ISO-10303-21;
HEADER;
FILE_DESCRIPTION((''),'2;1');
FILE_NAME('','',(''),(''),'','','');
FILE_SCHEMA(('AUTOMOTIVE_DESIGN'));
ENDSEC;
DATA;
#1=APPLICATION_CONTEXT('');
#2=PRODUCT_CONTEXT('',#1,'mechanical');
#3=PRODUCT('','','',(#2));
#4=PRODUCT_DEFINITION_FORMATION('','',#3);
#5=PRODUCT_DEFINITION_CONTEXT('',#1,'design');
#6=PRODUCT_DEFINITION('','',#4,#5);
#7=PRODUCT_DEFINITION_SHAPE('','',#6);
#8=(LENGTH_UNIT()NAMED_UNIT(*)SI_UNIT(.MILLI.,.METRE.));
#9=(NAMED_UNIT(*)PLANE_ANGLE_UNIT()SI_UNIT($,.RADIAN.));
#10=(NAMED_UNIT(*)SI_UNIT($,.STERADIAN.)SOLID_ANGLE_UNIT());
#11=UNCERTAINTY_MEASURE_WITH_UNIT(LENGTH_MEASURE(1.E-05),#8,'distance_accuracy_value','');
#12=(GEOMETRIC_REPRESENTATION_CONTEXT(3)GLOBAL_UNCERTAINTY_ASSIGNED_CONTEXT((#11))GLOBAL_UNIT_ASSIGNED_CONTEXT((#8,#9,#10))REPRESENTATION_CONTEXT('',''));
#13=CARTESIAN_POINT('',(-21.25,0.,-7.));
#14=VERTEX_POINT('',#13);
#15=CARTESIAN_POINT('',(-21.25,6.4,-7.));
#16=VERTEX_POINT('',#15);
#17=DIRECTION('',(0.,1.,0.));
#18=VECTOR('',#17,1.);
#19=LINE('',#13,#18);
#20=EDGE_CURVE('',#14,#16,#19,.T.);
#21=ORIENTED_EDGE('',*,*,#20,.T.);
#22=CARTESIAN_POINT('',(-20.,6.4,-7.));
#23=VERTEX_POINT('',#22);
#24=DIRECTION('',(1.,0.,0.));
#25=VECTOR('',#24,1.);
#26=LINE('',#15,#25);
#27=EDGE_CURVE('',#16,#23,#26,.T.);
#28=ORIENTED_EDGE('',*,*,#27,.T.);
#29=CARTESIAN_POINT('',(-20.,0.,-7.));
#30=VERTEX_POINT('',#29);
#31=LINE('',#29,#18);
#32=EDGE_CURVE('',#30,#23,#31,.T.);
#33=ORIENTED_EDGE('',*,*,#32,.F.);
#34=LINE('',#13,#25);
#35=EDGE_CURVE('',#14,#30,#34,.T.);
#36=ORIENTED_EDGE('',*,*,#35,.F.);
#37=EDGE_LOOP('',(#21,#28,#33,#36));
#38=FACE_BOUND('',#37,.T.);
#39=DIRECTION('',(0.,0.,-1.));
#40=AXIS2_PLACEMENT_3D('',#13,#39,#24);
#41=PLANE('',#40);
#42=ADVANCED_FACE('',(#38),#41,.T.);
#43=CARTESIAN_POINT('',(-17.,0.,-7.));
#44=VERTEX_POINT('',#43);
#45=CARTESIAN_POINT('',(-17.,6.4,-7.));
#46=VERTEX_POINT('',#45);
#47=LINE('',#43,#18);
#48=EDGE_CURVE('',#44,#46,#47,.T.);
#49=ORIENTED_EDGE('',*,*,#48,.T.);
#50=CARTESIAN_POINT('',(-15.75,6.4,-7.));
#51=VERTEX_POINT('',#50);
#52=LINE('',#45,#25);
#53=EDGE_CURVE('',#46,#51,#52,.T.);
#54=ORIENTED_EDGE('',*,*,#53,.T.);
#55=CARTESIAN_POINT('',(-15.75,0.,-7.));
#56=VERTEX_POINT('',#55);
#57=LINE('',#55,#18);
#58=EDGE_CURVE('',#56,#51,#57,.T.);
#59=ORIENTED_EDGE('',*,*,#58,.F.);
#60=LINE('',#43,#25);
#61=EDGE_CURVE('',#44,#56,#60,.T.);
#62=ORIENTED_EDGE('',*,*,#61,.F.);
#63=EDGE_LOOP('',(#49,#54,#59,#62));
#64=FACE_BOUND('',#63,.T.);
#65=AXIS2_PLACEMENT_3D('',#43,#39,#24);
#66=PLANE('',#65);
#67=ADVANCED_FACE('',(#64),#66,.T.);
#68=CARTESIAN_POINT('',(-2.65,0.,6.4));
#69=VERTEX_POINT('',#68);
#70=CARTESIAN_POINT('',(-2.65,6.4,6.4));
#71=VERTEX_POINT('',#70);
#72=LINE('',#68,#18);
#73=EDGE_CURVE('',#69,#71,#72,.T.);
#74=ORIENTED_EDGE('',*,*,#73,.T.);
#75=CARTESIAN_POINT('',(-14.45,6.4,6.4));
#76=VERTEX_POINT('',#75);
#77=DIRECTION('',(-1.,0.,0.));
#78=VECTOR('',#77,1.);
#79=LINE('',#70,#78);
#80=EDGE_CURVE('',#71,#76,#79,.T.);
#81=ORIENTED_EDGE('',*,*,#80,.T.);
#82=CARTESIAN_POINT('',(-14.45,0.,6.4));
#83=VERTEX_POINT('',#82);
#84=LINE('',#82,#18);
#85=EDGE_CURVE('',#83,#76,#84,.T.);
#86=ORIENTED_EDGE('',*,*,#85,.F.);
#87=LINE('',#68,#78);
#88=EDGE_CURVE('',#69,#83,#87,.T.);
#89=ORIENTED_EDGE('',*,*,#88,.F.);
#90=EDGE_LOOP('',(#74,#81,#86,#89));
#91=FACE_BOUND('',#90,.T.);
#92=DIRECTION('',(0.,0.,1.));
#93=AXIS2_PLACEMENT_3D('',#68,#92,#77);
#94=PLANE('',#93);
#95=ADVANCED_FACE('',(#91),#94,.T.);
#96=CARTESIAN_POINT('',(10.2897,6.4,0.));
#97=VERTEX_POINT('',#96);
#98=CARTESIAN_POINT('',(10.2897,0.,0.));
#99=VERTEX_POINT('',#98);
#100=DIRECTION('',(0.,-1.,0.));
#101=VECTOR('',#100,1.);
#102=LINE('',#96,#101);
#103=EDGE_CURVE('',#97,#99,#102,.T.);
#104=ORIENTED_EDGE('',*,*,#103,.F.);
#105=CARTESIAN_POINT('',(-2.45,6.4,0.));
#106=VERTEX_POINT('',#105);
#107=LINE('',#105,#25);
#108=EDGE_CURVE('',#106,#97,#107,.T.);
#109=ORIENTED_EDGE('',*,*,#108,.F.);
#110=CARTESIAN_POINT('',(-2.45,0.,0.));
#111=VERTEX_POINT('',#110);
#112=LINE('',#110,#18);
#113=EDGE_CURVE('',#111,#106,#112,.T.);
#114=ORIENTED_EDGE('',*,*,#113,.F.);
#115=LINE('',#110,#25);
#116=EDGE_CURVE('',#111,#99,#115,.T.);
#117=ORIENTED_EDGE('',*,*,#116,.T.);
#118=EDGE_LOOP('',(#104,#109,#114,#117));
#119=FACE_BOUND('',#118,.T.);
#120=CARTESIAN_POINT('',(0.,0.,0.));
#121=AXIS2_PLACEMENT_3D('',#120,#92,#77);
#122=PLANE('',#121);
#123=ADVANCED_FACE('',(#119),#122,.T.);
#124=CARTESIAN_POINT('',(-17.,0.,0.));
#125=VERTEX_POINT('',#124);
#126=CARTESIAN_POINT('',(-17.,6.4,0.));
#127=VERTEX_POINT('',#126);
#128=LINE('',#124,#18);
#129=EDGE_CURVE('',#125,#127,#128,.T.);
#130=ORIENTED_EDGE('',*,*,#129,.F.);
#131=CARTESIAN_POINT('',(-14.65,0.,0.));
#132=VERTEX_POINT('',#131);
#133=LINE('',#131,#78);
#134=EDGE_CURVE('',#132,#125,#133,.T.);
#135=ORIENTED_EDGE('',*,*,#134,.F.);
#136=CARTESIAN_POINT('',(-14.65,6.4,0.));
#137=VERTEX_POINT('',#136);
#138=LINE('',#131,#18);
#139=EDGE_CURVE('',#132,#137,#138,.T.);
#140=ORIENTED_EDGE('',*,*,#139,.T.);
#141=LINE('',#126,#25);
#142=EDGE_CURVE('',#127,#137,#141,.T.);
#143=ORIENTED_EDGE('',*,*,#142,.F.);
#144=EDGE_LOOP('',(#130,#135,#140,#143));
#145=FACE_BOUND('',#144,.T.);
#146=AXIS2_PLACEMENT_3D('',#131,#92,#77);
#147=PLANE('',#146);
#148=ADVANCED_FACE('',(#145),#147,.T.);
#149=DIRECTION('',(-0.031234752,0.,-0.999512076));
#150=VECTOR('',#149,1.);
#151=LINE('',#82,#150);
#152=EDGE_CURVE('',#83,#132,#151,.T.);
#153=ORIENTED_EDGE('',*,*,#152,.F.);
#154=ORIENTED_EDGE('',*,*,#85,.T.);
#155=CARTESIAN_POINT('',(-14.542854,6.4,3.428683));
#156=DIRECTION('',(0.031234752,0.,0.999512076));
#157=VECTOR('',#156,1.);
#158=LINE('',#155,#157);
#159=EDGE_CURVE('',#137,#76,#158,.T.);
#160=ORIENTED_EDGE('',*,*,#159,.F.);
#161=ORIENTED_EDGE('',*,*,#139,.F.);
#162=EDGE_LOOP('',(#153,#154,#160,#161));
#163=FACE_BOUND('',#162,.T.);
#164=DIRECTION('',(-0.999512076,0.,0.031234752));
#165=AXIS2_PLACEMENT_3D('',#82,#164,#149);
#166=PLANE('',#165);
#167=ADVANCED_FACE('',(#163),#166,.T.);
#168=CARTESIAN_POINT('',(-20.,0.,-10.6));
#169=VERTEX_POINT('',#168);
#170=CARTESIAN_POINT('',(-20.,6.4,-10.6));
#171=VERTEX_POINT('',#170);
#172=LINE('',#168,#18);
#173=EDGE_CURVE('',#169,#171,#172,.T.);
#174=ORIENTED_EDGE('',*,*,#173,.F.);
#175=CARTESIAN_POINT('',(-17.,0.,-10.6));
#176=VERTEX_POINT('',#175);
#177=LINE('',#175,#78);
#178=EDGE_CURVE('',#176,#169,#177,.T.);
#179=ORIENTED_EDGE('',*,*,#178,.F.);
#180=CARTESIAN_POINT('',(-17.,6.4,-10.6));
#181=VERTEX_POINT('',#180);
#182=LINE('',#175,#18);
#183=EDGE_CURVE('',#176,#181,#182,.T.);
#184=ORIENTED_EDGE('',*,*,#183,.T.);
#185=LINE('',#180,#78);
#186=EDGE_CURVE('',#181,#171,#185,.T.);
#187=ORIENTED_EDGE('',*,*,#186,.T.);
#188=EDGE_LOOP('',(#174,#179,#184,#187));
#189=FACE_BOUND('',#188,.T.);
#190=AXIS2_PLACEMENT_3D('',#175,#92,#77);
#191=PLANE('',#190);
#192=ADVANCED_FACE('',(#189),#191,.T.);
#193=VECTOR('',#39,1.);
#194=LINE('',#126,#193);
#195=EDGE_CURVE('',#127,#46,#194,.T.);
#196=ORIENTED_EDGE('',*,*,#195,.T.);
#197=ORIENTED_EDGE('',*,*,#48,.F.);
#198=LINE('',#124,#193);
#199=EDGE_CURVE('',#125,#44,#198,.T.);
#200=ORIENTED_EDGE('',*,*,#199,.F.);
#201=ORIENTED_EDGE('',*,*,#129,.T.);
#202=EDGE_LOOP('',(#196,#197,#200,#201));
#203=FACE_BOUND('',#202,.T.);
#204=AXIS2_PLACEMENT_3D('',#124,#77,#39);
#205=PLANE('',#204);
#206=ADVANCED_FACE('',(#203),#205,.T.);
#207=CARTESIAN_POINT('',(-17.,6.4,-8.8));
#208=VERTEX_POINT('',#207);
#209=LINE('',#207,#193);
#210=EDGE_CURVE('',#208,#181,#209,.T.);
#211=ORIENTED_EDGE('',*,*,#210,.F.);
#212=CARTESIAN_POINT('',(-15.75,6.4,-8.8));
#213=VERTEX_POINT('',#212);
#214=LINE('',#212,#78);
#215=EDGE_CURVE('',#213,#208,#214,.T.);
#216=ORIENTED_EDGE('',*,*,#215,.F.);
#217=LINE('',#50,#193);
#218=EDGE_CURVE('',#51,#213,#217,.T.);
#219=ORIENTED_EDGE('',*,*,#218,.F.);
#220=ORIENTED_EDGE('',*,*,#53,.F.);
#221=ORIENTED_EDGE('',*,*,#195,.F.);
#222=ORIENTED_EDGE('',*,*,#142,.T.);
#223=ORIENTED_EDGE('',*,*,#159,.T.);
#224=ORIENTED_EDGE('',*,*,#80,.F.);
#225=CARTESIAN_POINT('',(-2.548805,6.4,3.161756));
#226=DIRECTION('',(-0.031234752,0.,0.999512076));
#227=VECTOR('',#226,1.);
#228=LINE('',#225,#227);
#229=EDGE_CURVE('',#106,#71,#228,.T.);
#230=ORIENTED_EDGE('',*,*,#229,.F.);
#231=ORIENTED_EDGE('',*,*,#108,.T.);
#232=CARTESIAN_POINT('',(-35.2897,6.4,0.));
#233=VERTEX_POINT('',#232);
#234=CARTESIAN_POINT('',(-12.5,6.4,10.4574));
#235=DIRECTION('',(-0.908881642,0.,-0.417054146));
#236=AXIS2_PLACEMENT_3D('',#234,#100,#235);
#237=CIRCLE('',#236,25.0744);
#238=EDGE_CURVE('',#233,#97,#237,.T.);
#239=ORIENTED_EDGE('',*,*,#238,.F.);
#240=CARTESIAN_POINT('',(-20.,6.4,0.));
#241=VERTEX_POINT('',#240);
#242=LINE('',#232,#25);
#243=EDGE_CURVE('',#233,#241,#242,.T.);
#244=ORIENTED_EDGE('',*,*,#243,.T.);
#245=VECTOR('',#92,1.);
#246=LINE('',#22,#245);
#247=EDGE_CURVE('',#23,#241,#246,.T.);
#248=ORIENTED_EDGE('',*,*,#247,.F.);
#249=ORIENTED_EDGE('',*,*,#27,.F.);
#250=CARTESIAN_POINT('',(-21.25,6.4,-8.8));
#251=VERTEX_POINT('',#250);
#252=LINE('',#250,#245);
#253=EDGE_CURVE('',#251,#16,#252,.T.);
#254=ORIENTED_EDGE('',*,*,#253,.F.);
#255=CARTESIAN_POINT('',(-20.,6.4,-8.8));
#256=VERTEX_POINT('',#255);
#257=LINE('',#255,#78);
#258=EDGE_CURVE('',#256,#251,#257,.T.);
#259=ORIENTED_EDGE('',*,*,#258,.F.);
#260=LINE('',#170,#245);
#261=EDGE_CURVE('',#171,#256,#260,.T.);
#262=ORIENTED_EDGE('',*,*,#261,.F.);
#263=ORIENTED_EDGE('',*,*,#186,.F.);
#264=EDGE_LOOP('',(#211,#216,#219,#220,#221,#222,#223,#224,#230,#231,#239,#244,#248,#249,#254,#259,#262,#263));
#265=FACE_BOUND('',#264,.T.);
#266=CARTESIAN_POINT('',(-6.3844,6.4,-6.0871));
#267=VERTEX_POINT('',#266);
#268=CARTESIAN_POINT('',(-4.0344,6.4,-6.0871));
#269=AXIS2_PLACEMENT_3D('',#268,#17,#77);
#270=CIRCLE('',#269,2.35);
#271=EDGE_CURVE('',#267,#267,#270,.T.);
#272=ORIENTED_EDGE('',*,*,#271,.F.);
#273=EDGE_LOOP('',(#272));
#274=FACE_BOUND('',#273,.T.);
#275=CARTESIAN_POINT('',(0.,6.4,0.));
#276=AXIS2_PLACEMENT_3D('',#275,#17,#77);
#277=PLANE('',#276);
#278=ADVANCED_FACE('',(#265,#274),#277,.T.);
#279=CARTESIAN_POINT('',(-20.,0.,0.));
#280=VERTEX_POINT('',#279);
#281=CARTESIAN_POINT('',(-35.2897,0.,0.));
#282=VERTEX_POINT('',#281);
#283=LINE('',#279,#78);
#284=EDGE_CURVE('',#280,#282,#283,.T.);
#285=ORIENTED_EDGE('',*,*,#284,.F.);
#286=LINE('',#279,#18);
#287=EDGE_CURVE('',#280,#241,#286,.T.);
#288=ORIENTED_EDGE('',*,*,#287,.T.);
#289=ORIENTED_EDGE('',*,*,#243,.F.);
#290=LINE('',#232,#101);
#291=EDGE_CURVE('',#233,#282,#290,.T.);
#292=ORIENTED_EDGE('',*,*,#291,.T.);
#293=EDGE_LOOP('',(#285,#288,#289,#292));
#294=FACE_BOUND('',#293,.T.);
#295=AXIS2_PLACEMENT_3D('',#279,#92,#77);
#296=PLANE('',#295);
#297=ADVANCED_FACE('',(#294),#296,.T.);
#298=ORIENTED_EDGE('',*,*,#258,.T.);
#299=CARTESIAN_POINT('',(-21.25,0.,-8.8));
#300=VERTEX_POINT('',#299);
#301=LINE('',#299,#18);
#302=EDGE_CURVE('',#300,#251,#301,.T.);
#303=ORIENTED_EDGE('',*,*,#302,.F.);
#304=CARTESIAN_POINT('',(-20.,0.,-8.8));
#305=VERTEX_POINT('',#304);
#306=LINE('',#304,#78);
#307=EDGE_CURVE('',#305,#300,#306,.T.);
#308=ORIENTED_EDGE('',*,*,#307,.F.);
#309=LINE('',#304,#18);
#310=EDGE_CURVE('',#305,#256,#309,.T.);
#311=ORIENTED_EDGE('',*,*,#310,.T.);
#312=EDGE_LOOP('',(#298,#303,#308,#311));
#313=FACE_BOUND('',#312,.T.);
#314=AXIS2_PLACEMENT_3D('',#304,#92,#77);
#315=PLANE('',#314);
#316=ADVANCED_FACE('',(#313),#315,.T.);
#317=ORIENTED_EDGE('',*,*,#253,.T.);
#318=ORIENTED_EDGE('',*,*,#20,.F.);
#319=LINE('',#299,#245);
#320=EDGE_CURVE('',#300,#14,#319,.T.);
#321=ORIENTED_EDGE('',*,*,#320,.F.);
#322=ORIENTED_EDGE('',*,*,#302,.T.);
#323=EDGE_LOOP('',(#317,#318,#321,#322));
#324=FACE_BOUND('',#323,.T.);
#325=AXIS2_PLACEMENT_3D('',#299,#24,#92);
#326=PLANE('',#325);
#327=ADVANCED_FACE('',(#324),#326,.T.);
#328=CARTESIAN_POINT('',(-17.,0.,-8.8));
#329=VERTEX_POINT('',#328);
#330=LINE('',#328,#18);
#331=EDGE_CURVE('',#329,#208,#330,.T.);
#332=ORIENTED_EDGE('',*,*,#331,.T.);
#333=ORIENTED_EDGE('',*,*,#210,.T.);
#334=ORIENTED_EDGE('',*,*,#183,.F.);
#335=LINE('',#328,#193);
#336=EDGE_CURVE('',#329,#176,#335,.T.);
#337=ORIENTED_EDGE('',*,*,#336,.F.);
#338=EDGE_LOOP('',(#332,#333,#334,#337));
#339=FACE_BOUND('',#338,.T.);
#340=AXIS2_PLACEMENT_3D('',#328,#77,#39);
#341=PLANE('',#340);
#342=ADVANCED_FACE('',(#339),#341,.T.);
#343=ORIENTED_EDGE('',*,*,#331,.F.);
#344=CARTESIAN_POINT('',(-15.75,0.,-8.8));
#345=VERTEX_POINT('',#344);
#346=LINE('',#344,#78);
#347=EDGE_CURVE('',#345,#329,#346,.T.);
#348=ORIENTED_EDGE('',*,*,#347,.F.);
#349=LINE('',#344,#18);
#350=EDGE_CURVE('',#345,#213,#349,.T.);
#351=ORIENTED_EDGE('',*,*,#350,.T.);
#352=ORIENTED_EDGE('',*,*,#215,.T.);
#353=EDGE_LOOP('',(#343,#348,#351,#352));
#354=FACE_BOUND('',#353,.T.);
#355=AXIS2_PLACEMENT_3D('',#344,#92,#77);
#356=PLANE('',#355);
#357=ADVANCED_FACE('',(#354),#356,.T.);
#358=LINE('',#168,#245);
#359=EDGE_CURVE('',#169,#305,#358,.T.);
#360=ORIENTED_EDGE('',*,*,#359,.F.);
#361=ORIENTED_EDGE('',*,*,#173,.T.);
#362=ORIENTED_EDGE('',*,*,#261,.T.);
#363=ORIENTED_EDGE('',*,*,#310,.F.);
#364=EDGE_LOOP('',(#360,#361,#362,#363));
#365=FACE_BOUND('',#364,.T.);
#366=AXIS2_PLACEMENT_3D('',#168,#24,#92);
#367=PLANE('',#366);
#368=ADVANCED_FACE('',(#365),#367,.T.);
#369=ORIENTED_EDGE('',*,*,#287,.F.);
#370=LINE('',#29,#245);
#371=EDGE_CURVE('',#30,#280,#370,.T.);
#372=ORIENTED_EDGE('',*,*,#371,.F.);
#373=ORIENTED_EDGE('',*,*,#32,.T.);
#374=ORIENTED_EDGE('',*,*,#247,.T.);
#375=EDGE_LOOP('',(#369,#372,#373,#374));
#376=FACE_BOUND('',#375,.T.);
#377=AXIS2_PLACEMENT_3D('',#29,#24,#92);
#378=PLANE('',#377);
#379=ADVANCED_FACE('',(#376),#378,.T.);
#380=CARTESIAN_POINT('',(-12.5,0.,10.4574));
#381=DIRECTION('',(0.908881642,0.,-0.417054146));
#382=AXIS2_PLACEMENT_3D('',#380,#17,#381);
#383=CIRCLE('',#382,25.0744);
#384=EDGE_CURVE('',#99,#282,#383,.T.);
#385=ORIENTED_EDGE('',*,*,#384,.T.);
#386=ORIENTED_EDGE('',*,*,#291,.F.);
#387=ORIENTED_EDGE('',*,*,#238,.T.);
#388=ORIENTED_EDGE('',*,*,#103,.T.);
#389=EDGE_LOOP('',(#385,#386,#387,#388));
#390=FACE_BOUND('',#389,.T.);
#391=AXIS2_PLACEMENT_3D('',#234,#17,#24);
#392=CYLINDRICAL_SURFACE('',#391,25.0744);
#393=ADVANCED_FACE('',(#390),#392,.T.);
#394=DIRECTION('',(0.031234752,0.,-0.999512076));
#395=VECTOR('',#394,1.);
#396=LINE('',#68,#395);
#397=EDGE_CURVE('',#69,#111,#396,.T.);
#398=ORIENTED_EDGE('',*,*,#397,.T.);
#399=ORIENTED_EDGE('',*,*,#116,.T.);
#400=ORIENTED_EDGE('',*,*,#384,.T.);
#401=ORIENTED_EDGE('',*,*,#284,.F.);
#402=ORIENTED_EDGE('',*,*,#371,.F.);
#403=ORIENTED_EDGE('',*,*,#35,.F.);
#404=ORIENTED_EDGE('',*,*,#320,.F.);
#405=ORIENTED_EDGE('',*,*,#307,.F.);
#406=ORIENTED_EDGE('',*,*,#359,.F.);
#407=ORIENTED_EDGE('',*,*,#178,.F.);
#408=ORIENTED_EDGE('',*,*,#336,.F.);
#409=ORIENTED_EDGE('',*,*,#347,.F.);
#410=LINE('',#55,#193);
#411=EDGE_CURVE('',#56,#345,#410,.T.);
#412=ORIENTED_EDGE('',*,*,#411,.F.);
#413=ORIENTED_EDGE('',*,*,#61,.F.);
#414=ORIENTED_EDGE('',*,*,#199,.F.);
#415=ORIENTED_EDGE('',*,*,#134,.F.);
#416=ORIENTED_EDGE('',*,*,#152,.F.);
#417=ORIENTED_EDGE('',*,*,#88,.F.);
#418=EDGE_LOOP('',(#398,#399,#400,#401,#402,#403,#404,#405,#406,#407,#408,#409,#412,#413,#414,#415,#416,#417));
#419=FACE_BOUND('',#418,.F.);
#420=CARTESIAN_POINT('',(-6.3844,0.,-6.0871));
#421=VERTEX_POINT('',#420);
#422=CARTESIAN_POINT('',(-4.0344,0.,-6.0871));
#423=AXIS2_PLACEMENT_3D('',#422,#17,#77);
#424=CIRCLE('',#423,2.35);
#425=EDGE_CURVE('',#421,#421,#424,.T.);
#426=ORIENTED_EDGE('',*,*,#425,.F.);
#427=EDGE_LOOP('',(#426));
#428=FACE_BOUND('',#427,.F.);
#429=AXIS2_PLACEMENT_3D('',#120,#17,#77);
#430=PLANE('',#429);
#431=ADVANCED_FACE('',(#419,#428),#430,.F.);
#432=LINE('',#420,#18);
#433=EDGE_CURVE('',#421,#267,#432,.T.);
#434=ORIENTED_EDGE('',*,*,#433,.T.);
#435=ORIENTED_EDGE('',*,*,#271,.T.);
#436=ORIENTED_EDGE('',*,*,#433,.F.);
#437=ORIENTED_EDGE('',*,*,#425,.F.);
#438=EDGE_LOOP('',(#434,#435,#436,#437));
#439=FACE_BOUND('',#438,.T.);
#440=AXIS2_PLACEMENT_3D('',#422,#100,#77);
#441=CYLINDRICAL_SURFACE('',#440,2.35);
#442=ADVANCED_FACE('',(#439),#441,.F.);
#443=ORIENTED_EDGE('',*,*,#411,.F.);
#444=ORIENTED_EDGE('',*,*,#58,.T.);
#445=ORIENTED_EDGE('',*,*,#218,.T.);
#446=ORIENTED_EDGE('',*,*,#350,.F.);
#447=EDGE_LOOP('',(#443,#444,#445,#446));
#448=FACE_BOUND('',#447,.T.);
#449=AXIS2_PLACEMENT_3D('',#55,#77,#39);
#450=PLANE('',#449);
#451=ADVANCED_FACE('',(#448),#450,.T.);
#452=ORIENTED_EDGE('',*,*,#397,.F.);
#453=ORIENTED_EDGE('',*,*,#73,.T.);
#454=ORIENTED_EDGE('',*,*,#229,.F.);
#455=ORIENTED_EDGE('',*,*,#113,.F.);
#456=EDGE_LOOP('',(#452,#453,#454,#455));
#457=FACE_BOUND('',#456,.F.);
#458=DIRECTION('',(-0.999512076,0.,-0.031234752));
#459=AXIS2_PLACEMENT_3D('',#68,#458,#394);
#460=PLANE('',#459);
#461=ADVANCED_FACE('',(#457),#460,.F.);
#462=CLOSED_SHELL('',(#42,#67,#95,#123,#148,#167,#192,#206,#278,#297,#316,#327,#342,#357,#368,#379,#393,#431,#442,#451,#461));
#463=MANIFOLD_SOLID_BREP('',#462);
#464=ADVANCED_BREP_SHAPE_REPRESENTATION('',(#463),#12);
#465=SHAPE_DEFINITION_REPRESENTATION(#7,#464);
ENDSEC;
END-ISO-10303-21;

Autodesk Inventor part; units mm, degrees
ref_plane "YZ Plane" through (0, 0, 0) normal (1, 0, 0) x (0, 1, 0)
ref_plane "XZ Plane" through (0, 0, 0) normal (0, 1, 0) x (-1, 0, 0)
ref_plane "XY Plane" through (0, 0, 0) normal (0, 0, 1) x (1, 0, 0)
sketch "Sketch1" plane through (0, 0, 0) normal (0, 1, 0) x (-1, 0, 0)
  line L0 (0, 0) -> (2.35, 0)
  line L1 (2.35, 0) -> (2.65, 6.4)
  line L2 (2.65, 6.4) -> (14.45, 6.4)
  line L3 (14.45, 6.4) -> (14.75, 0)
  line L4 (14.75, 0) -> (17, 0)
  line L5 (17, 0) -> (17, -7)
  line L6 (17, -7) -> (15.75, -7)
  line L7 (15.75, -7) -> (15.75, -8.8)
  line L8 (15.75, -8.8) -> (17, -8.8)
  line L9 (17, -8.8) -> (17, -10.6)
  line L10 (17, -10.6) -> (20, -10.6)
  line L11 (20, -10.6) -> (20, -8.8)
  line L12 (20, -8.8) -> (21.25, -8.8)
  line L13 (21.25, -8.8) -> (21.25, -7)
  line L14 (21.25, -7) -> (20, -7)
  line L15 (20, -7) -> (20, 0)
  line L16 (20, 0) -> (25, 0)
  line L17 (25, 0) -> (25, -15)
  line L18 (25, -15) -> (0, -15)
  line L19 (0, -15) -> (0, 0)
  circle A0 centre (4.0344, -6.0871) radius 2.35
  dimension "d0" = 7
  dimension "d2" = 1.8
  dimension "d3" = 1.8
  dimension "d4" = 3
  dimension "d5" = 1.25
  dimension "d6" = 1.25
  dimension "d7" = 25
  dimension "d8" = 15
  dimension "d9" = 5
  dimension "d10" = 11.8
  dimension "d11" = 12.4
  dimension "d12" = 6.4
  dimension "d14" = 2.25
  dimension "d15" = 4.7
  dimension "d26" = 2.35
extrude "Extrusion1" add sketch "Sketch1" along normal blind 6.4
fillet "Fillet1" radius 2 2 edges at (-25, 3.2, -15) (0, 3.2, -15)
sketch "Sketch2" plane through (0, 6.4, 0) normal (0, 1, 0) x (1, 0, 0)
  line L0 (-25, 13) -> (-25, 0) projected
  line L1 (0, 0) -> (0, 13) projected
  circle A0 centre (-12.5, -10.4574) radius 25.0744
  line L2 (-25, 0) -> (-35.2897, 0)
  line L3 (-25, 0) -> (-25, 11.2791)
  line L4 (0, 0) -> (0, 11.2791)
  line L5 (0, 0) -> (10.2897, 0)
  dimension "d19" = 12.5
extrude "Extrusion2" add sketch "Sketch2" against normal blind 6.4 contours L0 L2 A0 | A0 L5 L1
sketch "Sketch3" plane through (0, 6.4, 0) normal (0, 1, 0) x (1, 0, 0)
  arc A0 (0, 13) -> (-2, 15) centre (-2, 13) ccw projected
  line L0 (-2, 15) -> (-23, 15) projected
  arc A1 (-23, 15) -> (-25, 13) centre (-23, 13) ccw projected
  line L1 (-25, 13) -> (-25, 11.2791) projected
  line L2 (0, 11.2791) -> (0, 13) projected
  circle A2 centre (-12.5, -10.4574) radius 25.0744 projected
  point P0 (0, 0)
extrude "Extrusion3" cut sketch "Sketch3" against normal blind 6.4 contours L2 A2 L1 A1 L0 A0
sketch "Sketch4" plane through (0, 0, 0) normal (0, -1, 0) x (1, 0, 0)
  line L0 (10.2897, 0) -> (-2.35, 0) projected
  line L1 (-2.35, 0) -> (-2.65, 6.4) projected
  line L2 (-14.45, 6.4) -> (-14.75, 0) projected
  line L3 (-14.75, 0) -> (-17, 0) projected
  line L4 (-14.45, 6.4) -> (-14.65, 0)
  line L5 (-14.65, 0) -> (-14.75, 0)
  line L6 (-2.65, 6.4) -> (-2.45, 0)
  line L7 (-2.45, 0) -> (-2.35, 0)
  point P0 (0, 0)
  dimension "d27" = 0.1
  dimension "d28" = 0.1
extrude "Extrusion4" cut sketch "Sketch4" against normal blind 10
properties part number "trzymacz_bowdena"
